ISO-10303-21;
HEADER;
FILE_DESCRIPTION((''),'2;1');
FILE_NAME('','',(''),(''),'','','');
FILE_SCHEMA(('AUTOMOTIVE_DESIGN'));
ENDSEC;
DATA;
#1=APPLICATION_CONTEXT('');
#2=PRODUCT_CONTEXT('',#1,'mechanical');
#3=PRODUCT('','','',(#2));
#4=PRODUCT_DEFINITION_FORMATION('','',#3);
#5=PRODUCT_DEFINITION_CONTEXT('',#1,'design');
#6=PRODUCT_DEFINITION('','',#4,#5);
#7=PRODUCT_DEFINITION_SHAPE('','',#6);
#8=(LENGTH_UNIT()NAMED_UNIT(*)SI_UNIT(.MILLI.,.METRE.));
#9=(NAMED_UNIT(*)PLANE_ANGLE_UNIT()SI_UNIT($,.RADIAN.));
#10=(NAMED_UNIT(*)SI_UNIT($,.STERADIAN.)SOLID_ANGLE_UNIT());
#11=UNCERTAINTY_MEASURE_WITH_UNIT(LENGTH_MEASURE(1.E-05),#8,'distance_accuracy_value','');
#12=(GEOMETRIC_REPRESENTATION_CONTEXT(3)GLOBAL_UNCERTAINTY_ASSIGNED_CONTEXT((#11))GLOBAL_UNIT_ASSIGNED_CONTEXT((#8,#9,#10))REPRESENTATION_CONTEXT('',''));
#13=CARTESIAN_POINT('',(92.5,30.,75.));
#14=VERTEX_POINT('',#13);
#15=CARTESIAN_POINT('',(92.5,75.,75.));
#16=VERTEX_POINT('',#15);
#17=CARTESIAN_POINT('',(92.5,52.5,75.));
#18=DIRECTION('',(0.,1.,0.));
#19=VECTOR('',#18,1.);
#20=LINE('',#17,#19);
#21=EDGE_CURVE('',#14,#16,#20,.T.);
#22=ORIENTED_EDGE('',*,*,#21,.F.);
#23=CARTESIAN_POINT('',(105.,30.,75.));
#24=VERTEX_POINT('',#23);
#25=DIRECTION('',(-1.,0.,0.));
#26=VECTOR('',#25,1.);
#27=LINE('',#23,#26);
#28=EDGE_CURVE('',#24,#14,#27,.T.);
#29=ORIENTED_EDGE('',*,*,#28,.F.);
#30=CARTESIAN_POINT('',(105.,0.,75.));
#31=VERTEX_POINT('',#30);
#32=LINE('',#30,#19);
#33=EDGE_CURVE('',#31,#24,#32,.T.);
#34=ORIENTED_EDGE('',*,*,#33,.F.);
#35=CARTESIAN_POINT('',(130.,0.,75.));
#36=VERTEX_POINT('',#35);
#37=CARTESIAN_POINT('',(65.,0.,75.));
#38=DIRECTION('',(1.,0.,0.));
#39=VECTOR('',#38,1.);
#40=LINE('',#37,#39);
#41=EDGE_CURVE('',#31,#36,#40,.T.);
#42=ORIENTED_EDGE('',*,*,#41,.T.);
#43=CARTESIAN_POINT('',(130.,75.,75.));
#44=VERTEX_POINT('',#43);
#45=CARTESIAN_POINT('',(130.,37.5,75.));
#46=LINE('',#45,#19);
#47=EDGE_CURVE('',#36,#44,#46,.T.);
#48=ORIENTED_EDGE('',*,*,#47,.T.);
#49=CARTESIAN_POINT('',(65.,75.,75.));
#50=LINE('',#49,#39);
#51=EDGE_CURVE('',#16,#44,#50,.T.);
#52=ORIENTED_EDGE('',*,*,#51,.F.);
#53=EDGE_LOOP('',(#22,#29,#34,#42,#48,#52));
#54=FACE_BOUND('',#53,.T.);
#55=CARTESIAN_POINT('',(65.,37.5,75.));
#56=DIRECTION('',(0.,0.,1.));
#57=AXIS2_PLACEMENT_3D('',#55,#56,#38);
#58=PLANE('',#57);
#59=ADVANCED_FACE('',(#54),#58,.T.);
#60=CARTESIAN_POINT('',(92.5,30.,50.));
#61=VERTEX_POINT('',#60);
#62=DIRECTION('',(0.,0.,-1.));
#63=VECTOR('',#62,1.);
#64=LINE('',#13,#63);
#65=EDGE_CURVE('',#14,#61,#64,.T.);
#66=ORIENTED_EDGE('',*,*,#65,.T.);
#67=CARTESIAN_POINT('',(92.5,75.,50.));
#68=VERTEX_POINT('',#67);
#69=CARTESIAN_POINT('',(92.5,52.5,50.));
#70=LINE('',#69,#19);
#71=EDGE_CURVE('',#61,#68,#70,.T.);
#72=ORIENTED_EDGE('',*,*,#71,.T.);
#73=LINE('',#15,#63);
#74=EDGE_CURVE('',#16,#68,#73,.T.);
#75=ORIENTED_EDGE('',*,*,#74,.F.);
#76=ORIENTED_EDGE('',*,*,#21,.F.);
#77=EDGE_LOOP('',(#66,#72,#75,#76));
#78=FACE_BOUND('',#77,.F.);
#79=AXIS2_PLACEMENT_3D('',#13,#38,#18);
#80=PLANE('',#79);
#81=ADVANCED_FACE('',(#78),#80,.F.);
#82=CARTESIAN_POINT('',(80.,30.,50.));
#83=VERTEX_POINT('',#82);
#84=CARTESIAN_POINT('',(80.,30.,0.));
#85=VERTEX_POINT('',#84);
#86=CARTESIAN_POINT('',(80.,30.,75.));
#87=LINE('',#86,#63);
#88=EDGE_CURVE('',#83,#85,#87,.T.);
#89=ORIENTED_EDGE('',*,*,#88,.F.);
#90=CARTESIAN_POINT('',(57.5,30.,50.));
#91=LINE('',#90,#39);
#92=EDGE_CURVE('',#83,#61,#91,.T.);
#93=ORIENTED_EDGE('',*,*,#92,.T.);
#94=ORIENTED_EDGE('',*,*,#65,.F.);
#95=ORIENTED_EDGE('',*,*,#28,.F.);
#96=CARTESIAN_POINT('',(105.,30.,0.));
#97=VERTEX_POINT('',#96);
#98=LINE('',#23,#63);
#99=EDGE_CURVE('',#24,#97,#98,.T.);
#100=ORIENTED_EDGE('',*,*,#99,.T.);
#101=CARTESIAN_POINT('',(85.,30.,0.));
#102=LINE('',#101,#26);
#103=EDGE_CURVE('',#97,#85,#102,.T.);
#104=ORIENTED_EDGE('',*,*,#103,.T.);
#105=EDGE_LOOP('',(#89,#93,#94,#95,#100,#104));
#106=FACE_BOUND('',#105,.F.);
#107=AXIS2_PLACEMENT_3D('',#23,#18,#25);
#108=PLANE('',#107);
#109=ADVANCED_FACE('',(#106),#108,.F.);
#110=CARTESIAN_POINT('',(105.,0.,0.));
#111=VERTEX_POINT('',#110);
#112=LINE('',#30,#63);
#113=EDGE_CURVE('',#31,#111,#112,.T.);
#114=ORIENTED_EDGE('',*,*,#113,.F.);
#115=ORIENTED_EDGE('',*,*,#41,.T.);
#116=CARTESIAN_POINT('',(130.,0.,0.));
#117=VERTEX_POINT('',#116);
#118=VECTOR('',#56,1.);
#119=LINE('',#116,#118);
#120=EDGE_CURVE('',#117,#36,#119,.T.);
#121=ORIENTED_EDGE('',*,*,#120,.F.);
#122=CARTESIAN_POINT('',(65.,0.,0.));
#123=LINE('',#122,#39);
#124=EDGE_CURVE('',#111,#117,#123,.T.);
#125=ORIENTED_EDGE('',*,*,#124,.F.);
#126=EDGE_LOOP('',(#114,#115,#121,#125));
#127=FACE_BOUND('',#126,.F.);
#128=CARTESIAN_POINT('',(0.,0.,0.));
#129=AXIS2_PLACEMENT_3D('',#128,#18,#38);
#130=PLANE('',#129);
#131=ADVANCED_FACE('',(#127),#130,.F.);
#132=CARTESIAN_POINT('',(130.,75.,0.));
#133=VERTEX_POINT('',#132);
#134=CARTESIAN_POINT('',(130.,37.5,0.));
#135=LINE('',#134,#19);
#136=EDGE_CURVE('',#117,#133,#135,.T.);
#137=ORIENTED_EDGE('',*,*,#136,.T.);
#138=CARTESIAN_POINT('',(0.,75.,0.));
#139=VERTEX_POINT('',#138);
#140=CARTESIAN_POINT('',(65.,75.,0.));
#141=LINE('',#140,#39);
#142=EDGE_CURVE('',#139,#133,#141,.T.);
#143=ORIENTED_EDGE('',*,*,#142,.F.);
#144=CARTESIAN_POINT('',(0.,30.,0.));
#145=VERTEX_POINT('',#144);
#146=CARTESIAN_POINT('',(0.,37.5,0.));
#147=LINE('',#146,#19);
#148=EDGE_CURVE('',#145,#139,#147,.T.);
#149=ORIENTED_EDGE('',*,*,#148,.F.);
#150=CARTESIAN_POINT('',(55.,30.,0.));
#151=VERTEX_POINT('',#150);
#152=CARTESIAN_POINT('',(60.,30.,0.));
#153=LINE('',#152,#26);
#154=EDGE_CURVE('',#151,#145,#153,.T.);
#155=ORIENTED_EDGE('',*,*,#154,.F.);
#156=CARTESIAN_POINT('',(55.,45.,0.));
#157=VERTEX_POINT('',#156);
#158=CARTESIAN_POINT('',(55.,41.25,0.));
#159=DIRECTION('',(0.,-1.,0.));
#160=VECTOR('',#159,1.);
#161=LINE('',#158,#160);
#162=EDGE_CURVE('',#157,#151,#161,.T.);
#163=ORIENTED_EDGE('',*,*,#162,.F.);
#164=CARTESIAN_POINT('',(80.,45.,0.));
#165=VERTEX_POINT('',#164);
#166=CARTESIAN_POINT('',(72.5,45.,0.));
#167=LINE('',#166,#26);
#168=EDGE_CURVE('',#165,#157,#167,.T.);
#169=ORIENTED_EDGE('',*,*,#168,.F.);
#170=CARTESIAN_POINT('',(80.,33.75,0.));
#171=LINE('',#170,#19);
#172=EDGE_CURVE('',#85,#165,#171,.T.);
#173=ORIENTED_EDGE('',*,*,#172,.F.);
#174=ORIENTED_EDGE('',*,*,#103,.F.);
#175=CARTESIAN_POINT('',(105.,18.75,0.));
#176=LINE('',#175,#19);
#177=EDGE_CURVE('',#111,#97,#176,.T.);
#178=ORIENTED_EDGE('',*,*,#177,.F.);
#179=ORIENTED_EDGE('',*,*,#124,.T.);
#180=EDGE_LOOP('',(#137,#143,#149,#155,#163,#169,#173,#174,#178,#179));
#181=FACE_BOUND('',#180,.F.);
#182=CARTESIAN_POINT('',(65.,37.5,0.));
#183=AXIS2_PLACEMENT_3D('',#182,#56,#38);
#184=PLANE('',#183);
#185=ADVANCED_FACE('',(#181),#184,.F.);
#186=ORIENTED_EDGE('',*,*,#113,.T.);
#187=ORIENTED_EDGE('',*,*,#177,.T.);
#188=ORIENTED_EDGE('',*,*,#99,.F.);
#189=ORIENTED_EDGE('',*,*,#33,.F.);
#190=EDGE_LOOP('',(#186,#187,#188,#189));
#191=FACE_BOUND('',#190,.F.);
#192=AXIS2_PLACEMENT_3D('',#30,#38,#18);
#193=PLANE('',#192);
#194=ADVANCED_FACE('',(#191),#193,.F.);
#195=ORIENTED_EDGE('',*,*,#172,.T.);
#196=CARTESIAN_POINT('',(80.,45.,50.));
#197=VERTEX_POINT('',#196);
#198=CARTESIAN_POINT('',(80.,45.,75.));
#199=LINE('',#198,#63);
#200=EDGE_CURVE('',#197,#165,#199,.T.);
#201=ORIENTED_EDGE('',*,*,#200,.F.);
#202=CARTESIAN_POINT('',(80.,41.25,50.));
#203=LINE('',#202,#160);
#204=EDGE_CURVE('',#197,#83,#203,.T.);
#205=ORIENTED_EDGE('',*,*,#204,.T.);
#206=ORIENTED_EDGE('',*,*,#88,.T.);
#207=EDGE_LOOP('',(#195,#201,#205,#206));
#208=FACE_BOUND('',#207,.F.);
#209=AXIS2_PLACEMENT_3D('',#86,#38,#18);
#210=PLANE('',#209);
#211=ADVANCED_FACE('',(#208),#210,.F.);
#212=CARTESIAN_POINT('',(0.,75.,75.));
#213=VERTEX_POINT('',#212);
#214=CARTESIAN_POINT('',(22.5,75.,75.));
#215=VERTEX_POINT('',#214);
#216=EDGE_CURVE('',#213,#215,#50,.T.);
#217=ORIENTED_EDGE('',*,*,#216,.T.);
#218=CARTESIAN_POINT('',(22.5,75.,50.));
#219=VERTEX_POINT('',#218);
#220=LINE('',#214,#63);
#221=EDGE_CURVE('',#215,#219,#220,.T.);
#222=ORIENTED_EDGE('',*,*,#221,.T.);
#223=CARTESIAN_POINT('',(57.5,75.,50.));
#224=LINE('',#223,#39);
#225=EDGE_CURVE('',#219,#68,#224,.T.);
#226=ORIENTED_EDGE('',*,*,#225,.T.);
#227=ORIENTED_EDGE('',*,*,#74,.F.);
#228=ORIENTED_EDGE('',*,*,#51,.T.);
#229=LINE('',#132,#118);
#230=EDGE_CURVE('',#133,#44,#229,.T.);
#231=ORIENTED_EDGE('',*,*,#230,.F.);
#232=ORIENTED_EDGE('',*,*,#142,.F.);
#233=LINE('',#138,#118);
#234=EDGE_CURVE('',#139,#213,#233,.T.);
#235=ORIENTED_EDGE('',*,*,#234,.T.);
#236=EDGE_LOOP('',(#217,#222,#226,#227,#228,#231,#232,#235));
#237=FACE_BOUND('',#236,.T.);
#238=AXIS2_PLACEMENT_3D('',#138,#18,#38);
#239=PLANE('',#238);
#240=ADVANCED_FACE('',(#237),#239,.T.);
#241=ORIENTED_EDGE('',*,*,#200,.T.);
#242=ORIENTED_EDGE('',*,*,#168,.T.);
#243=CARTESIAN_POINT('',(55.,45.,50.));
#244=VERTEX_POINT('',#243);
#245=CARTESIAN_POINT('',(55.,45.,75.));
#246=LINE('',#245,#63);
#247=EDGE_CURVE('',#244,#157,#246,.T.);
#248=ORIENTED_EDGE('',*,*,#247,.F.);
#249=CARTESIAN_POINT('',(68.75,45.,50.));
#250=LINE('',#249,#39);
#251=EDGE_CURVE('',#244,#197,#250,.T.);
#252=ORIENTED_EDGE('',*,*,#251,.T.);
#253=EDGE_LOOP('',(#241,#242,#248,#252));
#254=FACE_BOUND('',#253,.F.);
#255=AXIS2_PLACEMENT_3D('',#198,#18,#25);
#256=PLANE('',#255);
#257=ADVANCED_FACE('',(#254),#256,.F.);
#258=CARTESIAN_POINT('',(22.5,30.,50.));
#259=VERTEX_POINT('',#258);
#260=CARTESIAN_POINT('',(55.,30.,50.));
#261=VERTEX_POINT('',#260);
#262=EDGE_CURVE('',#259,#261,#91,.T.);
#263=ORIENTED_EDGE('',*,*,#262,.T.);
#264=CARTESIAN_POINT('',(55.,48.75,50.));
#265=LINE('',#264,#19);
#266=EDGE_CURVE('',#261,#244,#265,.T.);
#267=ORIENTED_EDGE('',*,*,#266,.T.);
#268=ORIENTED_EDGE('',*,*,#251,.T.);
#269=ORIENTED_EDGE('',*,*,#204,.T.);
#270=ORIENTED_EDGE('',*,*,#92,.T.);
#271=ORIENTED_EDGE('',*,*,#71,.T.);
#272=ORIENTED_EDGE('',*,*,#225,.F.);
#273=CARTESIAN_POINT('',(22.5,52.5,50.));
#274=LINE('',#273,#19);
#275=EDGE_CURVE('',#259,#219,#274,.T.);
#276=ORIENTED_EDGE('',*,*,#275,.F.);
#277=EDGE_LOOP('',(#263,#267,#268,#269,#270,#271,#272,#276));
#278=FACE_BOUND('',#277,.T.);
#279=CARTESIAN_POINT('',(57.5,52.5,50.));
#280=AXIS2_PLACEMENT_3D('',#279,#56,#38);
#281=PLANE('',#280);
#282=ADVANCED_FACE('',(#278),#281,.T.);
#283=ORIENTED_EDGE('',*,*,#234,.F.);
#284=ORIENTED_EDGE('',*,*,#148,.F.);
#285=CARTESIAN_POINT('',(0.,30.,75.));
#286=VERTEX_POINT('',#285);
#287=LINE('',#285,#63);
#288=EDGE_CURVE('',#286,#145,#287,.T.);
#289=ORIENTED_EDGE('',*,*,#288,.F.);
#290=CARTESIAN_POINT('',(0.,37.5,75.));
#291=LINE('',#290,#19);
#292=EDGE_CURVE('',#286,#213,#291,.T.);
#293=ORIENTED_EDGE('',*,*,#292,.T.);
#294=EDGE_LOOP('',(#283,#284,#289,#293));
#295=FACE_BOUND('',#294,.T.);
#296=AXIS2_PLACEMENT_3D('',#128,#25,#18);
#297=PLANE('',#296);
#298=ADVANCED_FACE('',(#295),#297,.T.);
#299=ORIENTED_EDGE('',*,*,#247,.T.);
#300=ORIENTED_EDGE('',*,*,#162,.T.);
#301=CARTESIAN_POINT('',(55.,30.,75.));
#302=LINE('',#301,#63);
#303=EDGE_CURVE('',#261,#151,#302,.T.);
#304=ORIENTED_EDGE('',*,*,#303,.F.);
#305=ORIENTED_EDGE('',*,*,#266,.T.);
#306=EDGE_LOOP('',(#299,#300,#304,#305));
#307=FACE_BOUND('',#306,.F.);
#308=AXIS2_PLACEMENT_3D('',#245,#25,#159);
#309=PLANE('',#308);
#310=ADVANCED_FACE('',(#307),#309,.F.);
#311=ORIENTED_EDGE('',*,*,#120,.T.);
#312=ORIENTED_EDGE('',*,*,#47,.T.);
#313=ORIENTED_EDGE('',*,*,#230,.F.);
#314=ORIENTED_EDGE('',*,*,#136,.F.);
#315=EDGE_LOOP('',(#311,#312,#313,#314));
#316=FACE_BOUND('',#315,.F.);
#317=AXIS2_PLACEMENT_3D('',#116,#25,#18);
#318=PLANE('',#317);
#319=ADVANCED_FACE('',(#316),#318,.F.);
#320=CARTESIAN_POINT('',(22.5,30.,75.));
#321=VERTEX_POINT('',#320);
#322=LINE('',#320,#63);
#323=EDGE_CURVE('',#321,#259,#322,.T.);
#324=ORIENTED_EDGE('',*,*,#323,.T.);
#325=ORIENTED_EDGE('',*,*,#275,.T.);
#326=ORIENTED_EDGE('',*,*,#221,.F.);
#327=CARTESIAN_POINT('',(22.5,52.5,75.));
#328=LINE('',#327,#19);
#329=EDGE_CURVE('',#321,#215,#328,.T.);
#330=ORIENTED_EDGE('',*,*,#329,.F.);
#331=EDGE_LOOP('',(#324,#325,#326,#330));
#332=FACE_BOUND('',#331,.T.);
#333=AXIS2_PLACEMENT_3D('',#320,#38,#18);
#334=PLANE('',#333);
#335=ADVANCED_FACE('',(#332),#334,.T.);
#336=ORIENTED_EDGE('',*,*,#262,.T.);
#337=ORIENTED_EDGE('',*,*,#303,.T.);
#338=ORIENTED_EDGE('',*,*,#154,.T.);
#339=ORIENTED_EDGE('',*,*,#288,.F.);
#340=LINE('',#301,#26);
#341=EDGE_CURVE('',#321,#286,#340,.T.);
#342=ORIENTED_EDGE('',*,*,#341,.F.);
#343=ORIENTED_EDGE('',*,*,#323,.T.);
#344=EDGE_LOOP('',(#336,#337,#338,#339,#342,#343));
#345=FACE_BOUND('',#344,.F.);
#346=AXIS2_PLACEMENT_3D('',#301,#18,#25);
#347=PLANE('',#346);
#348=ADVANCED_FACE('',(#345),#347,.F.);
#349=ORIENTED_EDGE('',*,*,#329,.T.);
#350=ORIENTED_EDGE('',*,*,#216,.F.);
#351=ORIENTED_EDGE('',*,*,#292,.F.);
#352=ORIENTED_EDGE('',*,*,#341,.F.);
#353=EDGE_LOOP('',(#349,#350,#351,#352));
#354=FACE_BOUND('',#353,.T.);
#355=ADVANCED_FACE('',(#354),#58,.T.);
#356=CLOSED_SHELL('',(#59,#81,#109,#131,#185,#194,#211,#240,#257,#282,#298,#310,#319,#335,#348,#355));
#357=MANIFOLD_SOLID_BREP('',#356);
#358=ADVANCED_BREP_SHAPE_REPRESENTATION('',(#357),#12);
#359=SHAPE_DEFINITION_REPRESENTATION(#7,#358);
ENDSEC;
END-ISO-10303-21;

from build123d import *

# Parameters (mm, degrees)
F0_W     = 130
F0_H     = 75
F1_DEPTH = 75
F3_DEPTH = 90
F4_W     = 70
F4_H     = 45
F5_DEPTH = 25


with BuildPart() as f1:
    # F0 (on Top) → F1 (new body)
    with BuildSketch(Plane.XY):
        with Locations((65, 37.5)):
            Rectangle(F0_W, F0_H)
    extrude(amount=F1_DEPTH)

    # F2 (on face) → F3 (cut)
    with BuildSketch(Plane.XY.offset(75)):
        Polygon((0, 0), (105, 0), (105, 30), (80, 30), (80, 45), (55, 45), (55, 30), (0, 30), align=None)
    extrude(amount=-F3_DEPTH, mode=Mode.SUBTRACT)

    # F4 (on face) → F5 (cut)
    with BuildSketch(Plane.XY.offset(75)):
        with Locations((57.5, 52.5)):
            Rectangle(F4_W, F4_H)
    extrude(amount=-F5_DEPTH, mode=Mode.SUBTRACT)


solid = f1.part
